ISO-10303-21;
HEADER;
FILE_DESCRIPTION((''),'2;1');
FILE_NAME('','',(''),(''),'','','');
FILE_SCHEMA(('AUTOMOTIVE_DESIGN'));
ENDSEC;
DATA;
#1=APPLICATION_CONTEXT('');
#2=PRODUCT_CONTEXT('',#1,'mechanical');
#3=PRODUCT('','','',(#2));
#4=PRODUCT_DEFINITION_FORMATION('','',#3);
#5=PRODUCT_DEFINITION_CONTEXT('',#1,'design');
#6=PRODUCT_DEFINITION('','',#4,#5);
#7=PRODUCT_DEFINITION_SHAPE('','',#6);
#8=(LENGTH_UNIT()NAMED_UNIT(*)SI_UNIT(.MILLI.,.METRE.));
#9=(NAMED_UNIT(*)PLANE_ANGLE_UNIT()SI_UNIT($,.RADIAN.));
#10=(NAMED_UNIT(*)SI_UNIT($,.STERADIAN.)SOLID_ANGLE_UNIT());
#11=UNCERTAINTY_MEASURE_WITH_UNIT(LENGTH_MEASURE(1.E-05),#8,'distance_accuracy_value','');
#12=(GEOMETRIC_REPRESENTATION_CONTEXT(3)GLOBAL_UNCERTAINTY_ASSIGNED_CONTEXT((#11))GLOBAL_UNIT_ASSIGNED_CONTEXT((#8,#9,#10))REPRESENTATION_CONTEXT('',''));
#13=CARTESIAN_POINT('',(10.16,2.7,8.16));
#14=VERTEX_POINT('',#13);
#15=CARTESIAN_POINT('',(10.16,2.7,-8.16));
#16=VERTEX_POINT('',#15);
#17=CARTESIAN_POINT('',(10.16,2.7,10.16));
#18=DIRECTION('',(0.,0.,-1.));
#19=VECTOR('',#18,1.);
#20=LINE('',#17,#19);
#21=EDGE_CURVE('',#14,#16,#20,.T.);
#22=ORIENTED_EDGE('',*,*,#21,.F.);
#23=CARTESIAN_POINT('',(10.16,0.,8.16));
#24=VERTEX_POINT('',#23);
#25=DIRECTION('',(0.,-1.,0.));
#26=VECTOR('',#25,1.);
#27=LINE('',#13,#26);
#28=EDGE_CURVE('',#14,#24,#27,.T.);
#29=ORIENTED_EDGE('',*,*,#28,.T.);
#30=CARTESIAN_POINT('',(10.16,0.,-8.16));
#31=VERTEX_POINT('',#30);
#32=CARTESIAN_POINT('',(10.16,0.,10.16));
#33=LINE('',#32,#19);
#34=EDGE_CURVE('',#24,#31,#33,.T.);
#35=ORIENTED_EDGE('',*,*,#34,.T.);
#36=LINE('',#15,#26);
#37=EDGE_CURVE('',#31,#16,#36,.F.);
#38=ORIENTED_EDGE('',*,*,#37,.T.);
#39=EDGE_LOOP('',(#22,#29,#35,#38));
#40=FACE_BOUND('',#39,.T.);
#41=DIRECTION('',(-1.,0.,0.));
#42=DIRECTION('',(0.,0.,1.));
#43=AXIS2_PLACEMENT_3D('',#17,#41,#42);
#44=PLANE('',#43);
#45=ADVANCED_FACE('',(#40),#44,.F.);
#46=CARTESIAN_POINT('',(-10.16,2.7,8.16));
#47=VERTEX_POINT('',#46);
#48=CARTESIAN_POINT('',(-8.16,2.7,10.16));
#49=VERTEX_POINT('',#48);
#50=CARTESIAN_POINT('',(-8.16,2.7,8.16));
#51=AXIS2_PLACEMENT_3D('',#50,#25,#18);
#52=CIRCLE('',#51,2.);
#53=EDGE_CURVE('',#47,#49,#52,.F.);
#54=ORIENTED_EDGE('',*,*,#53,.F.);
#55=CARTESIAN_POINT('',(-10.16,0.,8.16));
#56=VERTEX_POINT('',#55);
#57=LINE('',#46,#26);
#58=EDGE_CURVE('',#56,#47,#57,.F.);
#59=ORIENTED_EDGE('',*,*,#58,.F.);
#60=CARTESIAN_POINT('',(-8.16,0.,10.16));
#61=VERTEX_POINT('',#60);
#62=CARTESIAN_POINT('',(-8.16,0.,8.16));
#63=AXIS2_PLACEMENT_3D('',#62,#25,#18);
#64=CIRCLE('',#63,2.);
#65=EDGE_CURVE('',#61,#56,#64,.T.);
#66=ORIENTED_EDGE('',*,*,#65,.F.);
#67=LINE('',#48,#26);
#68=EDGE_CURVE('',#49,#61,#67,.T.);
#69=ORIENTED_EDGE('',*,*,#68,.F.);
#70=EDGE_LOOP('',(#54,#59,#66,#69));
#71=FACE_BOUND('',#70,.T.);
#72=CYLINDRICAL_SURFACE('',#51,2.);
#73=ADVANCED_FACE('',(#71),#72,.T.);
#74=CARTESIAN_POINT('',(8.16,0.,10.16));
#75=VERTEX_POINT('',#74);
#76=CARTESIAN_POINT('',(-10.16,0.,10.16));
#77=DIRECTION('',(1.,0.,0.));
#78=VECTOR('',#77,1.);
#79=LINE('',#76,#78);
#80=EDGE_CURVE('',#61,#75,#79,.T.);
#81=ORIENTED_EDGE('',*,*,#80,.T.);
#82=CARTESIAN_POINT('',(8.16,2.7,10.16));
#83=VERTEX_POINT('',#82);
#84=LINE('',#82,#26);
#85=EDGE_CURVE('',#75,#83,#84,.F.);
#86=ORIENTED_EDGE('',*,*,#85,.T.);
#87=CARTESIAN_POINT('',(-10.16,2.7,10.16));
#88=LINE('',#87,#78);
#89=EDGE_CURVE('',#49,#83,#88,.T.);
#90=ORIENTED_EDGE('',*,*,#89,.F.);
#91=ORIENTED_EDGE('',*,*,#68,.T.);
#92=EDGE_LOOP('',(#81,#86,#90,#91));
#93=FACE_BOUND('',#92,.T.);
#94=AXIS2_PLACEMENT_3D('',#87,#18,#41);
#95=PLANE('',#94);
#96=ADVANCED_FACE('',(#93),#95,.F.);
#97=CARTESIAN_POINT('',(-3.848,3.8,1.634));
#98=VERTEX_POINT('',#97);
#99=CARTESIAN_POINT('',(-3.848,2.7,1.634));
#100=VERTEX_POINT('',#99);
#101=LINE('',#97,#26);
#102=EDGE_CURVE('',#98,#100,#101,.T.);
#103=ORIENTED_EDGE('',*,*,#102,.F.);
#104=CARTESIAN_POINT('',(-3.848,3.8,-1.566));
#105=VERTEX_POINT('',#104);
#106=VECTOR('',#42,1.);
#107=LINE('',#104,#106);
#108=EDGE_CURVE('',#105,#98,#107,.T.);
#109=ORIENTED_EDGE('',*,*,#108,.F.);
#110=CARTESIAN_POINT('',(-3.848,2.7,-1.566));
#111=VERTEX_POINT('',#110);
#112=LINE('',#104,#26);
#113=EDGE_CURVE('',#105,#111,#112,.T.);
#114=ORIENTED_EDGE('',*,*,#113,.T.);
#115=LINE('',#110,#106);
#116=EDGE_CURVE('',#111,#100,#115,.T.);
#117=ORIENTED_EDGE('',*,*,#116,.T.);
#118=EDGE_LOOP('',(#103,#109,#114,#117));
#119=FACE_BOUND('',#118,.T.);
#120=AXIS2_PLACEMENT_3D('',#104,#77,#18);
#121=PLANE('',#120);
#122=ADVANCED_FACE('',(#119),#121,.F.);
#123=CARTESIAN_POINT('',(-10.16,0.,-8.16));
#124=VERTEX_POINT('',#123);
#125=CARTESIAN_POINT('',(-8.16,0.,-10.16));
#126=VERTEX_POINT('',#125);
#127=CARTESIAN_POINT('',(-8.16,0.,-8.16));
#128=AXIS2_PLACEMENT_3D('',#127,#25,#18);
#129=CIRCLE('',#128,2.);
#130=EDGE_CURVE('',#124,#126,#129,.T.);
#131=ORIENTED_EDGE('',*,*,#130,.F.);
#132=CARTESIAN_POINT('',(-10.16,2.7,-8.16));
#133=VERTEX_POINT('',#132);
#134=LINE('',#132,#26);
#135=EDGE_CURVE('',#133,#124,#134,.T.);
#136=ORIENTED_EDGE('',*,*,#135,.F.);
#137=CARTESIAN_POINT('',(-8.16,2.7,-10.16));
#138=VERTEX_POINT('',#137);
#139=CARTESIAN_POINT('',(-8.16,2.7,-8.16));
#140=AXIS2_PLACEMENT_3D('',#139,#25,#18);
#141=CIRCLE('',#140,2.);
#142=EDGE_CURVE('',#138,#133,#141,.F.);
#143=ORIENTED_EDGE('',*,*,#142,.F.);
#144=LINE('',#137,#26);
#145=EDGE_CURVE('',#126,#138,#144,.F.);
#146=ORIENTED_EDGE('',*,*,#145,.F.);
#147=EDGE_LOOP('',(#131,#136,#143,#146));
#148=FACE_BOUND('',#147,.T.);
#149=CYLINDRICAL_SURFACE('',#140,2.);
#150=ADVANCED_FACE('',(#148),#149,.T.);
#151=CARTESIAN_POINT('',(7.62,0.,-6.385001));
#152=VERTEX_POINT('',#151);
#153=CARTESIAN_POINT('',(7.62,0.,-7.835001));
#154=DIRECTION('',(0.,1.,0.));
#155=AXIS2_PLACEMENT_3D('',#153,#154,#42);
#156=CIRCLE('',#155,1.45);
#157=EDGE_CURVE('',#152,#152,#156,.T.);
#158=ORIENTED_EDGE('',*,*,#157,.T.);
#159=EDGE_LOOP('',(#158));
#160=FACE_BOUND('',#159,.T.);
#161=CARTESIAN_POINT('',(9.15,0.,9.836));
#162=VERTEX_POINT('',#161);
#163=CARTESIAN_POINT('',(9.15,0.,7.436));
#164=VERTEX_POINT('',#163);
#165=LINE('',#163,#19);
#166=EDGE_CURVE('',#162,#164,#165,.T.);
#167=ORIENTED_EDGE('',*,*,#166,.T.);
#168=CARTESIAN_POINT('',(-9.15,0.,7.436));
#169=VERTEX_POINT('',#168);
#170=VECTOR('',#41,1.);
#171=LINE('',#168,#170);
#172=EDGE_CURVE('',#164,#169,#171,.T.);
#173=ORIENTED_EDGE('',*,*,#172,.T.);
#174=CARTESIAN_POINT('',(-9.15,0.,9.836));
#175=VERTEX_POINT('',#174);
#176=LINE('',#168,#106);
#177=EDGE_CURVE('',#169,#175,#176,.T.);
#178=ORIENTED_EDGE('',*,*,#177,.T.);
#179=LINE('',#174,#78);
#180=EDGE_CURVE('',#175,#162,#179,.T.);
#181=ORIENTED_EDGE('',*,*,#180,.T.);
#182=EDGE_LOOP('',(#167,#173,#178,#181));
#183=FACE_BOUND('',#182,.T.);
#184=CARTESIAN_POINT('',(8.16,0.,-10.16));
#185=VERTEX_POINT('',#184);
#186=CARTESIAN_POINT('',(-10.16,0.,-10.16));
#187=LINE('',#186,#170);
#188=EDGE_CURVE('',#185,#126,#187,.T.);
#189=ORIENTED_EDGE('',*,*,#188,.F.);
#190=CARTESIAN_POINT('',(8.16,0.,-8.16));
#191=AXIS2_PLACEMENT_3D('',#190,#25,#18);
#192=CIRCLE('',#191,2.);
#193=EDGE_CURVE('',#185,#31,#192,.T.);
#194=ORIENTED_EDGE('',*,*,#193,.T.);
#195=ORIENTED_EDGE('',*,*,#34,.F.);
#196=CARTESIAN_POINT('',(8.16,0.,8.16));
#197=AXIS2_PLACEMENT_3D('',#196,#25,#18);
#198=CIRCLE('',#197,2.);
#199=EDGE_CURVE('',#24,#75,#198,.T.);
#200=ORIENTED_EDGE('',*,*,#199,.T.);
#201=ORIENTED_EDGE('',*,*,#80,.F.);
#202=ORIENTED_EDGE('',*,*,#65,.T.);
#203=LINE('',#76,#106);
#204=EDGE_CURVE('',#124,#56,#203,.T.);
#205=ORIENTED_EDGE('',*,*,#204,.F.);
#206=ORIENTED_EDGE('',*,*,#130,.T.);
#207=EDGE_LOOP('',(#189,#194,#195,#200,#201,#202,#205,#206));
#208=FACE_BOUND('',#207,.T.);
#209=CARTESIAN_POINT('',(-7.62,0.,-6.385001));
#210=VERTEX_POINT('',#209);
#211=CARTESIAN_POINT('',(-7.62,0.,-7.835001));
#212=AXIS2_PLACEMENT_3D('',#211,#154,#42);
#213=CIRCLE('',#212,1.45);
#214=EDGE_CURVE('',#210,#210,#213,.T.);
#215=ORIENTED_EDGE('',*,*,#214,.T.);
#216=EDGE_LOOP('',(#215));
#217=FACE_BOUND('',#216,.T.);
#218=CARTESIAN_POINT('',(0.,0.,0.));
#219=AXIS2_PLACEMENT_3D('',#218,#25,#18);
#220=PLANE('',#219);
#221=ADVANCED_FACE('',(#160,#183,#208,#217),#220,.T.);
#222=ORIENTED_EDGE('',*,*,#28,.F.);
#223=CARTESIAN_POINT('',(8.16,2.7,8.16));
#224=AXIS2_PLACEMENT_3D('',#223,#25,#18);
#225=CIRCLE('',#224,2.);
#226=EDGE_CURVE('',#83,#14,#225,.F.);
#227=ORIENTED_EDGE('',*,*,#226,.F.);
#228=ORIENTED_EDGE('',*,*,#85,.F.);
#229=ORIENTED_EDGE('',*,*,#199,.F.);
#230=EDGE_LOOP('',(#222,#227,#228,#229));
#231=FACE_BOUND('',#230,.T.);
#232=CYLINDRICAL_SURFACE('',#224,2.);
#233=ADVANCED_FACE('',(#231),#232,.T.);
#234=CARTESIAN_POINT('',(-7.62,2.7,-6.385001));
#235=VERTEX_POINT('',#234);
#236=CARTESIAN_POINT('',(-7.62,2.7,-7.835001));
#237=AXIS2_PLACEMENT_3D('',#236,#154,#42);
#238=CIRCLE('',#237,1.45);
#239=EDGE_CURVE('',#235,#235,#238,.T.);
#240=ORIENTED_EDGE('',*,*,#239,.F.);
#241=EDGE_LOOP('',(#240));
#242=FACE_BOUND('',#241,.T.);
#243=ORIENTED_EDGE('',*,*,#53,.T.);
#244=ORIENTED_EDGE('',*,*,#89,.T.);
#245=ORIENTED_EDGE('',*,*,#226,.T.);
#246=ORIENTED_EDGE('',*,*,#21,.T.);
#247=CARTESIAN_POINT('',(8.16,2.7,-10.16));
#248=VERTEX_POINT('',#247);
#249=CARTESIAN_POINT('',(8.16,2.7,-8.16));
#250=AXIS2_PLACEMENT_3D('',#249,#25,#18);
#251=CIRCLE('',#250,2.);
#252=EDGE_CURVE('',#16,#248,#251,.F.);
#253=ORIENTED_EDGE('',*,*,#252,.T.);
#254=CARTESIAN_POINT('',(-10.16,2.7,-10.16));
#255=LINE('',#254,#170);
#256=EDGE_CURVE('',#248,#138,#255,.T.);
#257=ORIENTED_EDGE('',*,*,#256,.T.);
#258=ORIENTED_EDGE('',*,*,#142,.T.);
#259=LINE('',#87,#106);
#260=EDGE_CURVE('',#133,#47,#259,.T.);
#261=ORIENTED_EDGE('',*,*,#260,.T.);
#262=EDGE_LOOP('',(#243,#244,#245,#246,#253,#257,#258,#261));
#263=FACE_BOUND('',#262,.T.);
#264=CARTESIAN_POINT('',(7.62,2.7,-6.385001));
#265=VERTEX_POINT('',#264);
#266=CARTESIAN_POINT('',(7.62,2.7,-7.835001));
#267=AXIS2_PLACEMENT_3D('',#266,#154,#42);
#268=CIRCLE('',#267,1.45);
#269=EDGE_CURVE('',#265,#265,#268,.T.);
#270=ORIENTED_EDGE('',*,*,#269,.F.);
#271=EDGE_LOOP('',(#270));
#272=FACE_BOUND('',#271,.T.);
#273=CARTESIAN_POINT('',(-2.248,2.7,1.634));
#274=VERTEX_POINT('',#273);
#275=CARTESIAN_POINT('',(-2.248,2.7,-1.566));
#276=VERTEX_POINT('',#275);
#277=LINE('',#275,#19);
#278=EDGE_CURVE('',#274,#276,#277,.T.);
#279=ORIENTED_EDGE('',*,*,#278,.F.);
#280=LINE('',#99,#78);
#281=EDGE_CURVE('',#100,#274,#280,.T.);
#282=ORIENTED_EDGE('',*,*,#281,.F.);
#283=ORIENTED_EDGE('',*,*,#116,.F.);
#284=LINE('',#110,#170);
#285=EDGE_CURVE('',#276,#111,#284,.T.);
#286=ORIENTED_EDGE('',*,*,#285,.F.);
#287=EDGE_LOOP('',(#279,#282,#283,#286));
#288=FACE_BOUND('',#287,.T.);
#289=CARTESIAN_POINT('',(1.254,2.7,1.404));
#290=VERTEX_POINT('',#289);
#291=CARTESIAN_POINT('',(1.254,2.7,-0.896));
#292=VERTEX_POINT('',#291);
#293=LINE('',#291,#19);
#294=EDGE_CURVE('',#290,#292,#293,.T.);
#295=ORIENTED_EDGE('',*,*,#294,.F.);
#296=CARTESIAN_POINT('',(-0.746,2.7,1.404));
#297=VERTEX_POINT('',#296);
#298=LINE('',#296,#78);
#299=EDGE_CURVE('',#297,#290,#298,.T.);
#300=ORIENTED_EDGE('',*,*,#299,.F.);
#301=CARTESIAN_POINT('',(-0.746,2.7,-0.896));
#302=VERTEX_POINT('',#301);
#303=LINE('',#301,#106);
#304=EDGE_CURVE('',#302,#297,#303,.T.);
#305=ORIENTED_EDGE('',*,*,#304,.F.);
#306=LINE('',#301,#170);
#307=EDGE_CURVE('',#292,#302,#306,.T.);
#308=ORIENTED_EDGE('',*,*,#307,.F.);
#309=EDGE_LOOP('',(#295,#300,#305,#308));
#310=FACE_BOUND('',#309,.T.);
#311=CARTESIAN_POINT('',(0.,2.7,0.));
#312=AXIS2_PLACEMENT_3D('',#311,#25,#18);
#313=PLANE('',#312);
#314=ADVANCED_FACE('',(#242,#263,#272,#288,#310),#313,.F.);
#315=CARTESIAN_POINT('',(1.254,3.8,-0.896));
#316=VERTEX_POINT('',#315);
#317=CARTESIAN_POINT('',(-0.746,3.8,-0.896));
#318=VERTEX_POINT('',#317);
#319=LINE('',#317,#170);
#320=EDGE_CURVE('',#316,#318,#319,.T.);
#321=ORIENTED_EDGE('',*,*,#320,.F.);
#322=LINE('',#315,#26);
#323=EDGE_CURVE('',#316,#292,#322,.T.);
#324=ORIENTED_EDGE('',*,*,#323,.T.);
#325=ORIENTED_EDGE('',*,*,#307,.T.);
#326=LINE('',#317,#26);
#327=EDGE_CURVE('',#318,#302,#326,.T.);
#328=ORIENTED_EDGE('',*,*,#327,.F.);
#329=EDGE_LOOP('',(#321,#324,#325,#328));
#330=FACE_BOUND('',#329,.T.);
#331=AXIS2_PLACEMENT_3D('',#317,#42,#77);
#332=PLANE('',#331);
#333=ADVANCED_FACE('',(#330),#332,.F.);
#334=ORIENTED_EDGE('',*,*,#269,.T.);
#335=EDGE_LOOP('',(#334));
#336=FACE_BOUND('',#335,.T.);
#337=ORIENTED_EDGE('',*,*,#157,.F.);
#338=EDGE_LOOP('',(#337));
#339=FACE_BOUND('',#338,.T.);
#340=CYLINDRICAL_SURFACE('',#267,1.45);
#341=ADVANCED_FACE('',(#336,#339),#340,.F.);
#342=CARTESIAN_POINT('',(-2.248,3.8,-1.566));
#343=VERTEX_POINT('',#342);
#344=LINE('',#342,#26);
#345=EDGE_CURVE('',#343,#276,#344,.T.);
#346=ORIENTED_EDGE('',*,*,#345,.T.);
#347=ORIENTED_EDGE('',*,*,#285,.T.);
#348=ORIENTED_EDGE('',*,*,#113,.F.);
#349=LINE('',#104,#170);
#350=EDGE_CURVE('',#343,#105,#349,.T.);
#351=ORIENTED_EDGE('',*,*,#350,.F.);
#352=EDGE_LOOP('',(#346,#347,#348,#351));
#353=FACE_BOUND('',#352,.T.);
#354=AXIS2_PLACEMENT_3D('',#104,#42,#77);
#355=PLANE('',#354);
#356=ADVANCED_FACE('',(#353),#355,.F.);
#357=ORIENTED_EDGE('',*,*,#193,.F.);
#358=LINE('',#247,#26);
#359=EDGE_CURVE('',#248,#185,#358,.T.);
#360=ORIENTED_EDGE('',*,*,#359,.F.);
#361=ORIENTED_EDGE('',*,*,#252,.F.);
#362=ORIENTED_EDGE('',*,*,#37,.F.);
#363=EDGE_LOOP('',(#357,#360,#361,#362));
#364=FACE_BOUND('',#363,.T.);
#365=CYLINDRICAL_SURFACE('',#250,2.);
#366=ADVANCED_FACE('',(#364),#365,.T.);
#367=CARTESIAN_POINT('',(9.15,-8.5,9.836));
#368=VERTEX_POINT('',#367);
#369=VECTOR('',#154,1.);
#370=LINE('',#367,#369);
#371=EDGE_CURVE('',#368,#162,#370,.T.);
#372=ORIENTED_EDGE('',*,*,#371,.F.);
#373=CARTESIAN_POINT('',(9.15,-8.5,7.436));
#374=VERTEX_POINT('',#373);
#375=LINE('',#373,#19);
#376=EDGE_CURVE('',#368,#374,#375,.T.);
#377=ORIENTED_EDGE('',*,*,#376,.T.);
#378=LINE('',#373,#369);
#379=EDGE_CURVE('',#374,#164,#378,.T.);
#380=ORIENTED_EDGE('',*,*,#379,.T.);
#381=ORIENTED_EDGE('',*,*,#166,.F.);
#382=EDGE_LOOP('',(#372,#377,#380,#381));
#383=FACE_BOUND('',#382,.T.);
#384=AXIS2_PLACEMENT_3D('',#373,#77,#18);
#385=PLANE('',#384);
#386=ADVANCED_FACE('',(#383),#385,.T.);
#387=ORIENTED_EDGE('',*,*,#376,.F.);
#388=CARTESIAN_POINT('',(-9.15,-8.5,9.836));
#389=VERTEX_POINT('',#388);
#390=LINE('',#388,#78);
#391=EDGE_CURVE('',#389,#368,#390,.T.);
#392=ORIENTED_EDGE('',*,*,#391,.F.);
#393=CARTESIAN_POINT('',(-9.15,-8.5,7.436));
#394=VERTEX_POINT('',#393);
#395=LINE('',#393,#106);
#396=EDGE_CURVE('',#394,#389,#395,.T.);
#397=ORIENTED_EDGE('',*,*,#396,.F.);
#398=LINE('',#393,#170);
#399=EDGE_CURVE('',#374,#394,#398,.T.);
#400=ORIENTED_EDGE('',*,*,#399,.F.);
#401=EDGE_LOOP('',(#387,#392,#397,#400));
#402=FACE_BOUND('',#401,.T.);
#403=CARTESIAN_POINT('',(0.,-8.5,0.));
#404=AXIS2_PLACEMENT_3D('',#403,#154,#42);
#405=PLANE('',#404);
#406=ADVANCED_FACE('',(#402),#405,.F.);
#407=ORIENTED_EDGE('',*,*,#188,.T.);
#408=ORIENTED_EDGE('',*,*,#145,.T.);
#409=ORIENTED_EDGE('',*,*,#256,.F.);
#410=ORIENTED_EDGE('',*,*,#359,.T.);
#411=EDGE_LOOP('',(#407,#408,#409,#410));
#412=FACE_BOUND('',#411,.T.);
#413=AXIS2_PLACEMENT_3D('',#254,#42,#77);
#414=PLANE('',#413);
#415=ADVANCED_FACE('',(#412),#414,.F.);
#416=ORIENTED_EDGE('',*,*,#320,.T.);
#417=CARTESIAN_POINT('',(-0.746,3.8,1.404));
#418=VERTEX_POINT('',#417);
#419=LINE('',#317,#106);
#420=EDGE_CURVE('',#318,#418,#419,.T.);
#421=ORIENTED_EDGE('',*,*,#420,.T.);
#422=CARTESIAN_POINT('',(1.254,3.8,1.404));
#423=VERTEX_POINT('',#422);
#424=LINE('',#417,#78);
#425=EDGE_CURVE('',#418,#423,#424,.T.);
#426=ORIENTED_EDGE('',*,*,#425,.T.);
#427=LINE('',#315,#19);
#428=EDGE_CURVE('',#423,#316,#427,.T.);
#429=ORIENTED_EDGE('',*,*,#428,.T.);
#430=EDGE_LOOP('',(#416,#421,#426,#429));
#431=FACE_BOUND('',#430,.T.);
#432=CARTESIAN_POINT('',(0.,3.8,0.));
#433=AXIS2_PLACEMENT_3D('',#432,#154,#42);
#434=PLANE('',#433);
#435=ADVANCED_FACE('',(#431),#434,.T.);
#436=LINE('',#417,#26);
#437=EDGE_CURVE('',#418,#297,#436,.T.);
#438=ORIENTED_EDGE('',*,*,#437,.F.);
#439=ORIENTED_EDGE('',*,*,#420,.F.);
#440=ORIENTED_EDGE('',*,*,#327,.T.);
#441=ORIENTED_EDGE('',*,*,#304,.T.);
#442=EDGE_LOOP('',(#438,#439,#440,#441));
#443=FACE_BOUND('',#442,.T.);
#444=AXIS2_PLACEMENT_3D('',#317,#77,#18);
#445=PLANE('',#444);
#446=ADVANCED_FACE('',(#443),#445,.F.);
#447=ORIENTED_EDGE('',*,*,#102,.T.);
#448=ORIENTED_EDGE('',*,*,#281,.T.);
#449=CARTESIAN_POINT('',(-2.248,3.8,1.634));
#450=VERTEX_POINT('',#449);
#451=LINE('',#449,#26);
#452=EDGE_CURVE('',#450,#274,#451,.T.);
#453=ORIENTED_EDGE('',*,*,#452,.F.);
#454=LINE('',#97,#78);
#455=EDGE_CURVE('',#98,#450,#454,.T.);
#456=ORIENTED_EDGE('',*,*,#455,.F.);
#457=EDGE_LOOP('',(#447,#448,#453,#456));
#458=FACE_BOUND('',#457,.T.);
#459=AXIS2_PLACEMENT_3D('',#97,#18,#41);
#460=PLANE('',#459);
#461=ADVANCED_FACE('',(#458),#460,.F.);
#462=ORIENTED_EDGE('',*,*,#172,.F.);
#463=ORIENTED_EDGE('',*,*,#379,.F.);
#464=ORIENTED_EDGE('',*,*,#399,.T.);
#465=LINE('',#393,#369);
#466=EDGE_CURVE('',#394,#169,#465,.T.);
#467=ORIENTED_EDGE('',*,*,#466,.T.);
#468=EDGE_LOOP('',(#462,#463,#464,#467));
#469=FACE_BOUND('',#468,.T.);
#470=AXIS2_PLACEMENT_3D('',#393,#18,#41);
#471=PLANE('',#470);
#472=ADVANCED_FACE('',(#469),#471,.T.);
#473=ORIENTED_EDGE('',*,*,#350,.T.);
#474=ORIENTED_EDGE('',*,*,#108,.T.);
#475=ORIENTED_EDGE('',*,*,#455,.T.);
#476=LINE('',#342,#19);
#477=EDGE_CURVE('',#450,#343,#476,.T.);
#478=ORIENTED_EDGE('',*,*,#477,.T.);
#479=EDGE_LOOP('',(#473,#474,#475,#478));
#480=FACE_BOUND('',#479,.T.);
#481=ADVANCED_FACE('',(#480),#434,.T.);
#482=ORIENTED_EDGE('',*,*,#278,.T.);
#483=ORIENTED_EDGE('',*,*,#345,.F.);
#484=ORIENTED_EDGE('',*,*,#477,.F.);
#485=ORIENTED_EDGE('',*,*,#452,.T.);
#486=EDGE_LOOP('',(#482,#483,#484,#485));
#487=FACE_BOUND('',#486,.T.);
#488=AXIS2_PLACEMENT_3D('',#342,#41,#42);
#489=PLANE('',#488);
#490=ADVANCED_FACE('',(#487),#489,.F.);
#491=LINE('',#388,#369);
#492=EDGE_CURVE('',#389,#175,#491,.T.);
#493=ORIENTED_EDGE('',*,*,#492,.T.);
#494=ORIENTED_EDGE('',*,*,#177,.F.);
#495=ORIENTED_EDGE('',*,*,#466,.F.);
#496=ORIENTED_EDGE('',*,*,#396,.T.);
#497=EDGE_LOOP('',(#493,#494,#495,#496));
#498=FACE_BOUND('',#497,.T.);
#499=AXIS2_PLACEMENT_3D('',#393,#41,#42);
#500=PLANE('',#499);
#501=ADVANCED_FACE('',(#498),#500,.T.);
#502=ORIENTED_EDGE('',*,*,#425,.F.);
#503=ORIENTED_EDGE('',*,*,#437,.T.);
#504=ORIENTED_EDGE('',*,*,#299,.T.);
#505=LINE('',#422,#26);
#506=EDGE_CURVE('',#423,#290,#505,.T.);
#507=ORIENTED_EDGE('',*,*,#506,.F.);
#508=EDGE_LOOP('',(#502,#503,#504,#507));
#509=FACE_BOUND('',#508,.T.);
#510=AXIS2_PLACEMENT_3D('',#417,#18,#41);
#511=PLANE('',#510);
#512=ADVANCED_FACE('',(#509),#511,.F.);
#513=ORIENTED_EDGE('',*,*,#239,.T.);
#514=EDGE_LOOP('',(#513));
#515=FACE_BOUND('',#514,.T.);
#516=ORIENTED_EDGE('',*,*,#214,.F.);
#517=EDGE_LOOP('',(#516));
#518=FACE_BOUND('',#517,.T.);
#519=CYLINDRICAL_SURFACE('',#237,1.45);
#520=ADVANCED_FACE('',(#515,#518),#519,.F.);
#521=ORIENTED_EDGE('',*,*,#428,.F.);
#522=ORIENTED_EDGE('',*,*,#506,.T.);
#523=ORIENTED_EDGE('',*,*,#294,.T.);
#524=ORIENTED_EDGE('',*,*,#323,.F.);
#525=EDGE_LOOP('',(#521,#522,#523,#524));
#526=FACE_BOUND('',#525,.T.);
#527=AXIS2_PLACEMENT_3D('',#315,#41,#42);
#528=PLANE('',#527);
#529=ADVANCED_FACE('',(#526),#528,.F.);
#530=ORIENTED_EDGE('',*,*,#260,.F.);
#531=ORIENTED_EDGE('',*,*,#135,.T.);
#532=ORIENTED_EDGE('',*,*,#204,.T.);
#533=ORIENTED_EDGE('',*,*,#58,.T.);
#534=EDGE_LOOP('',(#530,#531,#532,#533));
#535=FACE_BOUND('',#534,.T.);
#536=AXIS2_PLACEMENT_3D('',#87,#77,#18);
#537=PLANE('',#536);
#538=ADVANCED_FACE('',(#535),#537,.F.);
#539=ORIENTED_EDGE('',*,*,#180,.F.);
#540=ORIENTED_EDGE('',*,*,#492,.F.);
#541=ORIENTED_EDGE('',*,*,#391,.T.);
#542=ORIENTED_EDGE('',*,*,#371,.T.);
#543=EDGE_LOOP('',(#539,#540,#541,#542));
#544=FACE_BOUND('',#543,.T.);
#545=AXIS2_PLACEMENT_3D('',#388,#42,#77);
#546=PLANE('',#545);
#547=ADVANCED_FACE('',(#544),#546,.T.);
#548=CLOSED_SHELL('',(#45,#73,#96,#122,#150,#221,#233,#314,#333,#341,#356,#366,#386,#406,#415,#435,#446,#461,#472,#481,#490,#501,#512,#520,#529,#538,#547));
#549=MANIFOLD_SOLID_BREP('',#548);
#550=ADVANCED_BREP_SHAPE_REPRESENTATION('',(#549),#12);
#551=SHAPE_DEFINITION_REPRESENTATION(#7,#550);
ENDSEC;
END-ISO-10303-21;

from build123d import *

# Parameters (mm, degrees)
ESQUISSE1_W        = 20.32
ESQUISSE1_H        = 20.32
BOSS_EXTRU_1_DEPTH = 2.7
D_GAGEMENT_M2_51_D = 2.9
ESQUISSE7_W        = 2
ESQUISSE7_H        = 2.3
ESQUISSE7_W_2      = 1.6
ESQUISSE7_H_2      = 3.2
BOSS_EXTRU_3_DEPTH = 1.1
ESQUISSE3_W        = 18.3
ESQUISSE3_H        = 2.4
BOSS_EXTRU_2_DEPTH = 8.5
CONG_1_R           = 2


with BuildPart() as part:
    # Esquisse1 → Boss.-Extru.1 (new body)
    with BuildSketch(Plane(origin=(0, 0, 0), x_dir=(1, 0, 0), z_dir=(0, 1, 0))):
        Rectangle(ESQUISSE1_W, ESQUISSE1_H)
    extrude(amount=BOSS_EXTRU_1_DEPTH)

    # Dégagement M2.51 (through all)
    with Locations(Plane(origin=(0, 2.7, 0), x_dir=(1, 0, 0), z_dir=(0, 1, 0))):
        with Locations((-7.62, 7.835000674), (7.62, 7.835000674)):
            Hole(D_GAGEMENT_M2_51_D / 2)

    # Esquisse7 → Boss.-Extru.3 (add)
    with BuildSketch(Plane(origin=(0, 2.7, 0), x_dir=(1, 0, 0), z_dir=(0, 1, 0))):
        with Locations((0.254, -0.254)):
            Rectangle(ESQUISSE7_W, ESQUISSE7_H)
        with Locations((-3.048, -0.034)):
            Rectangle(ESQUISSE7_W_2, ESQUISSE7_H_2)
    extrude(amount=BOSS_EXTRU_3_DEPTH)

    # Esquisse3 → Boss.-Extru.2 (add)
    with BuildSketch(Plane(origin=(0, 0, 0), x_dir=(1, 0, 0), z_dir=(0, 1, 0))):
        with Locations((0, -8.636)):
            Rectangle(ESQUISSE3_W, ESQUISSE3_H)
    extrude(amount=-BOSS_EXTRU_2_DEPTH)

    # Congé1
    cong_1_edges = [part.edges().sort_by_distance(p)[0] for p in [
        (-10.16, 1.35, -10.16),
        (10.16, 1.35, -10.16),
        (10.16, 1.35, 10.16),
        (-10.16, 1.35, 10.16),
    ]]
    fillet(cong_1_edges, radius=CONG_1_R)


solid = part.part
